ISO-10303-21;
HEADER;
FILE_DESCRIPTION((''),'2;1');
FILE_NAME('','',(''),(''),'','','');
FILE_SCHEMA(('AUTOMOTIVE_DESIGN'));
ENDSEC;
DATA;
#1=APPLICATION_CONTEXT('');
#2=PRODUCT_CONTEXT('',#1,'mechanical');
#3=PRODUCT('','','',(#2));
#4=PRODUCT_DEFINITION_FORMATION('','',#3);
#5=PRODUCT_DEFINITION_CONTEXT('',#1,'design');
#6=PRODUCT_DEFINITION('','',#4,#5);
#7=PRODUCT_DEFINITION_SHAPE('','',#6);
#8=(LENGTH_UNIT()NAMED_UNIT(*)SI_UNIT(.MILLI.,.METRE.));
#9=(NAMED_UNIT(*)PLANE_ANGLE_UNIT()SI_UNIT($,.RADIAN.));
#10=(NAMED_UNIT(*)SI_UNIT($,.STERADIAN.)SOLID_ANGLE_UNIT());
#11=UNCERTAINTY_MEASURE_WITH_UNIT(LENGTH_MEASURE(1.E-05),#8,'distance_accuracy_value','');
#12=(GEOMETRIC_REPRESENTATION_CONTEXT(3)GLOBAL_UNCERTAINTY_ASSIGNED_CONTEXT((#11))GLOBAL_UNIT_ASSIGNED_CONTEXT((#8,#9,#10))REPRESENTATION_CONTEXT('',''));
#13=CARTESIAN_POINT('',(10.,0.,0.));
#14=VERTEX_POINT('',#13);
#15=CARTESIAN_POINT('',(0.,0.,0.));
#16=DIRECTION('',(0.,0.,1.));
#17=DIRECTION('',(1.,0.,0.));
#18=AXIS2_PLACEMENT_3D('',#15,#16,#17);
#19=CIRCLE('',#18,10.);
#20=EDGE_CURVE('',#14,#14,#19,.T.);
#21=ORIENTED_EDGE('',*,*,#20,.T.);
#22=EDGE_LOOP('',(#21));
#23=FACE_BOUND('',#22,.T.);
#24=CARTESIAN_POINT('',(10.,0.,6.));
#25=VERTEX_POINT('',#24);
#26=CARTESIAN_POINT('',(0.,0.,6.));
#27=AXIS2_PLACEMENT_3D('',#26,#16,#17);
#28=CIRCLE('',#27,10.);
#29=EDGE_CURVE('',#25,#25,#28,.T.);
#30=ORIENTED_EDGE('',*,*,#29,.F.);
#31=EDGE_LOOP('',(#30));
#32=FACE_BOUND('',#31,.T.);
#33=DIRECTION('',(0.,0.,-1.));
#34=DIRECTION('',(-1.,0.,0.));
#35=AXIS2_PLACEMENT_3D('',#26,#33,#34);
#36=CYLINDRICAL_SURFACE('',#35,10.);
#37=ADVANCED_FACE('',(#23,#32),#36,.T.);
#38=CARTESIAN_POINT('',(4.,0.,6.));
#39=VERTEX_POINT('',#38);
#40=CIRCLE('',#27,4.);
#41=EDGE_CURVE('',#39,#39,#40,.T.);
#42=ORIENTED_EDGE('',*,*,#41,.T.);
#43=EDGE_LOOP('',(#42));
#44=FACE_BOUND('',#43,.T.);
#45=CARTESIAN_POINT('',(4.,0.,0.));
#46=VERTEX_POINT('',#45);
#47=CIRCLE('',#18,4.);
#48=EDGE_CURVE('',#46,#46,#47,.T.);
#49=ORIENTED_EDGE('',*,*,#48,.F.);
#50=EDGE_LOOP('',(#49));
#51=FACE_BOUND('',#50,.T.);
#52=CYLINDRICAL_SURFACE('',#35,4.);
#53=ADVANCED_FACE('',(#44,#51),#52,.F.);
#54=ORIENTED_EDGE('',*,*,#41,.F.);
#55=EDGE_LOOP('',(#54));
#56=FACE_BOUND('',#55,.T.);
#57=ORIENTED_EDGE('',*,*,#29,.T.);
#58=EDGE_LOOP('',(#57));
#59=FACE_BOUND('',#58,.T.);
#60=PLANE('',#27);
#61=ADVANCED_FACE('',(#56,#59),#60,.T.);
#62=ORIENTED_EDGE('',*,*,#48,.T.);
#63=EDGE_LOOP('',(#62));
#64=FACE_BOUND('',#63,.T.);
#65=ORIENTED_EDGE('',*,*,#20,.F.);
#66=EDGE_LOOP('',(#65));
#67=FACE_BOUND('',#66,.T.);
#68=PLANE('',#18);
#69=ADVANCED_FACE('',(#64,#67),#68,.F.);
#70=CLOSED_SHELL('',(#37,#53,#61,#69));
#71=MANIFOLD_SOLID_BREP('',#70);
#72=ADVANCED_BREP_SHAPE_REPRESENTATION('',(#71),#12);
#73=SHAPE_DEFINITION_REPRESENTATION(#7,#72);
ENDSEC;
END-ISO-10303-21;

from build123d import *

# Parameters (mm, degrees)
SKETCH1_R           = 10
SKETCH1_R_2         = 4
BOSS_EXTRUDE1_DEPTH = 6


with BuildPart() as part:
    # Sketch1 → Boss-Extrude1 (new body)
    with BuildSketch(Plane.XY):
        Circle(SKETCH1_R)
        Circle(SKETCH1_R_2, mode=Mode.SUBTRACT)
    extrude(amount=BOSS_EXTRUDE1_DEPTH)


solid = part.part
